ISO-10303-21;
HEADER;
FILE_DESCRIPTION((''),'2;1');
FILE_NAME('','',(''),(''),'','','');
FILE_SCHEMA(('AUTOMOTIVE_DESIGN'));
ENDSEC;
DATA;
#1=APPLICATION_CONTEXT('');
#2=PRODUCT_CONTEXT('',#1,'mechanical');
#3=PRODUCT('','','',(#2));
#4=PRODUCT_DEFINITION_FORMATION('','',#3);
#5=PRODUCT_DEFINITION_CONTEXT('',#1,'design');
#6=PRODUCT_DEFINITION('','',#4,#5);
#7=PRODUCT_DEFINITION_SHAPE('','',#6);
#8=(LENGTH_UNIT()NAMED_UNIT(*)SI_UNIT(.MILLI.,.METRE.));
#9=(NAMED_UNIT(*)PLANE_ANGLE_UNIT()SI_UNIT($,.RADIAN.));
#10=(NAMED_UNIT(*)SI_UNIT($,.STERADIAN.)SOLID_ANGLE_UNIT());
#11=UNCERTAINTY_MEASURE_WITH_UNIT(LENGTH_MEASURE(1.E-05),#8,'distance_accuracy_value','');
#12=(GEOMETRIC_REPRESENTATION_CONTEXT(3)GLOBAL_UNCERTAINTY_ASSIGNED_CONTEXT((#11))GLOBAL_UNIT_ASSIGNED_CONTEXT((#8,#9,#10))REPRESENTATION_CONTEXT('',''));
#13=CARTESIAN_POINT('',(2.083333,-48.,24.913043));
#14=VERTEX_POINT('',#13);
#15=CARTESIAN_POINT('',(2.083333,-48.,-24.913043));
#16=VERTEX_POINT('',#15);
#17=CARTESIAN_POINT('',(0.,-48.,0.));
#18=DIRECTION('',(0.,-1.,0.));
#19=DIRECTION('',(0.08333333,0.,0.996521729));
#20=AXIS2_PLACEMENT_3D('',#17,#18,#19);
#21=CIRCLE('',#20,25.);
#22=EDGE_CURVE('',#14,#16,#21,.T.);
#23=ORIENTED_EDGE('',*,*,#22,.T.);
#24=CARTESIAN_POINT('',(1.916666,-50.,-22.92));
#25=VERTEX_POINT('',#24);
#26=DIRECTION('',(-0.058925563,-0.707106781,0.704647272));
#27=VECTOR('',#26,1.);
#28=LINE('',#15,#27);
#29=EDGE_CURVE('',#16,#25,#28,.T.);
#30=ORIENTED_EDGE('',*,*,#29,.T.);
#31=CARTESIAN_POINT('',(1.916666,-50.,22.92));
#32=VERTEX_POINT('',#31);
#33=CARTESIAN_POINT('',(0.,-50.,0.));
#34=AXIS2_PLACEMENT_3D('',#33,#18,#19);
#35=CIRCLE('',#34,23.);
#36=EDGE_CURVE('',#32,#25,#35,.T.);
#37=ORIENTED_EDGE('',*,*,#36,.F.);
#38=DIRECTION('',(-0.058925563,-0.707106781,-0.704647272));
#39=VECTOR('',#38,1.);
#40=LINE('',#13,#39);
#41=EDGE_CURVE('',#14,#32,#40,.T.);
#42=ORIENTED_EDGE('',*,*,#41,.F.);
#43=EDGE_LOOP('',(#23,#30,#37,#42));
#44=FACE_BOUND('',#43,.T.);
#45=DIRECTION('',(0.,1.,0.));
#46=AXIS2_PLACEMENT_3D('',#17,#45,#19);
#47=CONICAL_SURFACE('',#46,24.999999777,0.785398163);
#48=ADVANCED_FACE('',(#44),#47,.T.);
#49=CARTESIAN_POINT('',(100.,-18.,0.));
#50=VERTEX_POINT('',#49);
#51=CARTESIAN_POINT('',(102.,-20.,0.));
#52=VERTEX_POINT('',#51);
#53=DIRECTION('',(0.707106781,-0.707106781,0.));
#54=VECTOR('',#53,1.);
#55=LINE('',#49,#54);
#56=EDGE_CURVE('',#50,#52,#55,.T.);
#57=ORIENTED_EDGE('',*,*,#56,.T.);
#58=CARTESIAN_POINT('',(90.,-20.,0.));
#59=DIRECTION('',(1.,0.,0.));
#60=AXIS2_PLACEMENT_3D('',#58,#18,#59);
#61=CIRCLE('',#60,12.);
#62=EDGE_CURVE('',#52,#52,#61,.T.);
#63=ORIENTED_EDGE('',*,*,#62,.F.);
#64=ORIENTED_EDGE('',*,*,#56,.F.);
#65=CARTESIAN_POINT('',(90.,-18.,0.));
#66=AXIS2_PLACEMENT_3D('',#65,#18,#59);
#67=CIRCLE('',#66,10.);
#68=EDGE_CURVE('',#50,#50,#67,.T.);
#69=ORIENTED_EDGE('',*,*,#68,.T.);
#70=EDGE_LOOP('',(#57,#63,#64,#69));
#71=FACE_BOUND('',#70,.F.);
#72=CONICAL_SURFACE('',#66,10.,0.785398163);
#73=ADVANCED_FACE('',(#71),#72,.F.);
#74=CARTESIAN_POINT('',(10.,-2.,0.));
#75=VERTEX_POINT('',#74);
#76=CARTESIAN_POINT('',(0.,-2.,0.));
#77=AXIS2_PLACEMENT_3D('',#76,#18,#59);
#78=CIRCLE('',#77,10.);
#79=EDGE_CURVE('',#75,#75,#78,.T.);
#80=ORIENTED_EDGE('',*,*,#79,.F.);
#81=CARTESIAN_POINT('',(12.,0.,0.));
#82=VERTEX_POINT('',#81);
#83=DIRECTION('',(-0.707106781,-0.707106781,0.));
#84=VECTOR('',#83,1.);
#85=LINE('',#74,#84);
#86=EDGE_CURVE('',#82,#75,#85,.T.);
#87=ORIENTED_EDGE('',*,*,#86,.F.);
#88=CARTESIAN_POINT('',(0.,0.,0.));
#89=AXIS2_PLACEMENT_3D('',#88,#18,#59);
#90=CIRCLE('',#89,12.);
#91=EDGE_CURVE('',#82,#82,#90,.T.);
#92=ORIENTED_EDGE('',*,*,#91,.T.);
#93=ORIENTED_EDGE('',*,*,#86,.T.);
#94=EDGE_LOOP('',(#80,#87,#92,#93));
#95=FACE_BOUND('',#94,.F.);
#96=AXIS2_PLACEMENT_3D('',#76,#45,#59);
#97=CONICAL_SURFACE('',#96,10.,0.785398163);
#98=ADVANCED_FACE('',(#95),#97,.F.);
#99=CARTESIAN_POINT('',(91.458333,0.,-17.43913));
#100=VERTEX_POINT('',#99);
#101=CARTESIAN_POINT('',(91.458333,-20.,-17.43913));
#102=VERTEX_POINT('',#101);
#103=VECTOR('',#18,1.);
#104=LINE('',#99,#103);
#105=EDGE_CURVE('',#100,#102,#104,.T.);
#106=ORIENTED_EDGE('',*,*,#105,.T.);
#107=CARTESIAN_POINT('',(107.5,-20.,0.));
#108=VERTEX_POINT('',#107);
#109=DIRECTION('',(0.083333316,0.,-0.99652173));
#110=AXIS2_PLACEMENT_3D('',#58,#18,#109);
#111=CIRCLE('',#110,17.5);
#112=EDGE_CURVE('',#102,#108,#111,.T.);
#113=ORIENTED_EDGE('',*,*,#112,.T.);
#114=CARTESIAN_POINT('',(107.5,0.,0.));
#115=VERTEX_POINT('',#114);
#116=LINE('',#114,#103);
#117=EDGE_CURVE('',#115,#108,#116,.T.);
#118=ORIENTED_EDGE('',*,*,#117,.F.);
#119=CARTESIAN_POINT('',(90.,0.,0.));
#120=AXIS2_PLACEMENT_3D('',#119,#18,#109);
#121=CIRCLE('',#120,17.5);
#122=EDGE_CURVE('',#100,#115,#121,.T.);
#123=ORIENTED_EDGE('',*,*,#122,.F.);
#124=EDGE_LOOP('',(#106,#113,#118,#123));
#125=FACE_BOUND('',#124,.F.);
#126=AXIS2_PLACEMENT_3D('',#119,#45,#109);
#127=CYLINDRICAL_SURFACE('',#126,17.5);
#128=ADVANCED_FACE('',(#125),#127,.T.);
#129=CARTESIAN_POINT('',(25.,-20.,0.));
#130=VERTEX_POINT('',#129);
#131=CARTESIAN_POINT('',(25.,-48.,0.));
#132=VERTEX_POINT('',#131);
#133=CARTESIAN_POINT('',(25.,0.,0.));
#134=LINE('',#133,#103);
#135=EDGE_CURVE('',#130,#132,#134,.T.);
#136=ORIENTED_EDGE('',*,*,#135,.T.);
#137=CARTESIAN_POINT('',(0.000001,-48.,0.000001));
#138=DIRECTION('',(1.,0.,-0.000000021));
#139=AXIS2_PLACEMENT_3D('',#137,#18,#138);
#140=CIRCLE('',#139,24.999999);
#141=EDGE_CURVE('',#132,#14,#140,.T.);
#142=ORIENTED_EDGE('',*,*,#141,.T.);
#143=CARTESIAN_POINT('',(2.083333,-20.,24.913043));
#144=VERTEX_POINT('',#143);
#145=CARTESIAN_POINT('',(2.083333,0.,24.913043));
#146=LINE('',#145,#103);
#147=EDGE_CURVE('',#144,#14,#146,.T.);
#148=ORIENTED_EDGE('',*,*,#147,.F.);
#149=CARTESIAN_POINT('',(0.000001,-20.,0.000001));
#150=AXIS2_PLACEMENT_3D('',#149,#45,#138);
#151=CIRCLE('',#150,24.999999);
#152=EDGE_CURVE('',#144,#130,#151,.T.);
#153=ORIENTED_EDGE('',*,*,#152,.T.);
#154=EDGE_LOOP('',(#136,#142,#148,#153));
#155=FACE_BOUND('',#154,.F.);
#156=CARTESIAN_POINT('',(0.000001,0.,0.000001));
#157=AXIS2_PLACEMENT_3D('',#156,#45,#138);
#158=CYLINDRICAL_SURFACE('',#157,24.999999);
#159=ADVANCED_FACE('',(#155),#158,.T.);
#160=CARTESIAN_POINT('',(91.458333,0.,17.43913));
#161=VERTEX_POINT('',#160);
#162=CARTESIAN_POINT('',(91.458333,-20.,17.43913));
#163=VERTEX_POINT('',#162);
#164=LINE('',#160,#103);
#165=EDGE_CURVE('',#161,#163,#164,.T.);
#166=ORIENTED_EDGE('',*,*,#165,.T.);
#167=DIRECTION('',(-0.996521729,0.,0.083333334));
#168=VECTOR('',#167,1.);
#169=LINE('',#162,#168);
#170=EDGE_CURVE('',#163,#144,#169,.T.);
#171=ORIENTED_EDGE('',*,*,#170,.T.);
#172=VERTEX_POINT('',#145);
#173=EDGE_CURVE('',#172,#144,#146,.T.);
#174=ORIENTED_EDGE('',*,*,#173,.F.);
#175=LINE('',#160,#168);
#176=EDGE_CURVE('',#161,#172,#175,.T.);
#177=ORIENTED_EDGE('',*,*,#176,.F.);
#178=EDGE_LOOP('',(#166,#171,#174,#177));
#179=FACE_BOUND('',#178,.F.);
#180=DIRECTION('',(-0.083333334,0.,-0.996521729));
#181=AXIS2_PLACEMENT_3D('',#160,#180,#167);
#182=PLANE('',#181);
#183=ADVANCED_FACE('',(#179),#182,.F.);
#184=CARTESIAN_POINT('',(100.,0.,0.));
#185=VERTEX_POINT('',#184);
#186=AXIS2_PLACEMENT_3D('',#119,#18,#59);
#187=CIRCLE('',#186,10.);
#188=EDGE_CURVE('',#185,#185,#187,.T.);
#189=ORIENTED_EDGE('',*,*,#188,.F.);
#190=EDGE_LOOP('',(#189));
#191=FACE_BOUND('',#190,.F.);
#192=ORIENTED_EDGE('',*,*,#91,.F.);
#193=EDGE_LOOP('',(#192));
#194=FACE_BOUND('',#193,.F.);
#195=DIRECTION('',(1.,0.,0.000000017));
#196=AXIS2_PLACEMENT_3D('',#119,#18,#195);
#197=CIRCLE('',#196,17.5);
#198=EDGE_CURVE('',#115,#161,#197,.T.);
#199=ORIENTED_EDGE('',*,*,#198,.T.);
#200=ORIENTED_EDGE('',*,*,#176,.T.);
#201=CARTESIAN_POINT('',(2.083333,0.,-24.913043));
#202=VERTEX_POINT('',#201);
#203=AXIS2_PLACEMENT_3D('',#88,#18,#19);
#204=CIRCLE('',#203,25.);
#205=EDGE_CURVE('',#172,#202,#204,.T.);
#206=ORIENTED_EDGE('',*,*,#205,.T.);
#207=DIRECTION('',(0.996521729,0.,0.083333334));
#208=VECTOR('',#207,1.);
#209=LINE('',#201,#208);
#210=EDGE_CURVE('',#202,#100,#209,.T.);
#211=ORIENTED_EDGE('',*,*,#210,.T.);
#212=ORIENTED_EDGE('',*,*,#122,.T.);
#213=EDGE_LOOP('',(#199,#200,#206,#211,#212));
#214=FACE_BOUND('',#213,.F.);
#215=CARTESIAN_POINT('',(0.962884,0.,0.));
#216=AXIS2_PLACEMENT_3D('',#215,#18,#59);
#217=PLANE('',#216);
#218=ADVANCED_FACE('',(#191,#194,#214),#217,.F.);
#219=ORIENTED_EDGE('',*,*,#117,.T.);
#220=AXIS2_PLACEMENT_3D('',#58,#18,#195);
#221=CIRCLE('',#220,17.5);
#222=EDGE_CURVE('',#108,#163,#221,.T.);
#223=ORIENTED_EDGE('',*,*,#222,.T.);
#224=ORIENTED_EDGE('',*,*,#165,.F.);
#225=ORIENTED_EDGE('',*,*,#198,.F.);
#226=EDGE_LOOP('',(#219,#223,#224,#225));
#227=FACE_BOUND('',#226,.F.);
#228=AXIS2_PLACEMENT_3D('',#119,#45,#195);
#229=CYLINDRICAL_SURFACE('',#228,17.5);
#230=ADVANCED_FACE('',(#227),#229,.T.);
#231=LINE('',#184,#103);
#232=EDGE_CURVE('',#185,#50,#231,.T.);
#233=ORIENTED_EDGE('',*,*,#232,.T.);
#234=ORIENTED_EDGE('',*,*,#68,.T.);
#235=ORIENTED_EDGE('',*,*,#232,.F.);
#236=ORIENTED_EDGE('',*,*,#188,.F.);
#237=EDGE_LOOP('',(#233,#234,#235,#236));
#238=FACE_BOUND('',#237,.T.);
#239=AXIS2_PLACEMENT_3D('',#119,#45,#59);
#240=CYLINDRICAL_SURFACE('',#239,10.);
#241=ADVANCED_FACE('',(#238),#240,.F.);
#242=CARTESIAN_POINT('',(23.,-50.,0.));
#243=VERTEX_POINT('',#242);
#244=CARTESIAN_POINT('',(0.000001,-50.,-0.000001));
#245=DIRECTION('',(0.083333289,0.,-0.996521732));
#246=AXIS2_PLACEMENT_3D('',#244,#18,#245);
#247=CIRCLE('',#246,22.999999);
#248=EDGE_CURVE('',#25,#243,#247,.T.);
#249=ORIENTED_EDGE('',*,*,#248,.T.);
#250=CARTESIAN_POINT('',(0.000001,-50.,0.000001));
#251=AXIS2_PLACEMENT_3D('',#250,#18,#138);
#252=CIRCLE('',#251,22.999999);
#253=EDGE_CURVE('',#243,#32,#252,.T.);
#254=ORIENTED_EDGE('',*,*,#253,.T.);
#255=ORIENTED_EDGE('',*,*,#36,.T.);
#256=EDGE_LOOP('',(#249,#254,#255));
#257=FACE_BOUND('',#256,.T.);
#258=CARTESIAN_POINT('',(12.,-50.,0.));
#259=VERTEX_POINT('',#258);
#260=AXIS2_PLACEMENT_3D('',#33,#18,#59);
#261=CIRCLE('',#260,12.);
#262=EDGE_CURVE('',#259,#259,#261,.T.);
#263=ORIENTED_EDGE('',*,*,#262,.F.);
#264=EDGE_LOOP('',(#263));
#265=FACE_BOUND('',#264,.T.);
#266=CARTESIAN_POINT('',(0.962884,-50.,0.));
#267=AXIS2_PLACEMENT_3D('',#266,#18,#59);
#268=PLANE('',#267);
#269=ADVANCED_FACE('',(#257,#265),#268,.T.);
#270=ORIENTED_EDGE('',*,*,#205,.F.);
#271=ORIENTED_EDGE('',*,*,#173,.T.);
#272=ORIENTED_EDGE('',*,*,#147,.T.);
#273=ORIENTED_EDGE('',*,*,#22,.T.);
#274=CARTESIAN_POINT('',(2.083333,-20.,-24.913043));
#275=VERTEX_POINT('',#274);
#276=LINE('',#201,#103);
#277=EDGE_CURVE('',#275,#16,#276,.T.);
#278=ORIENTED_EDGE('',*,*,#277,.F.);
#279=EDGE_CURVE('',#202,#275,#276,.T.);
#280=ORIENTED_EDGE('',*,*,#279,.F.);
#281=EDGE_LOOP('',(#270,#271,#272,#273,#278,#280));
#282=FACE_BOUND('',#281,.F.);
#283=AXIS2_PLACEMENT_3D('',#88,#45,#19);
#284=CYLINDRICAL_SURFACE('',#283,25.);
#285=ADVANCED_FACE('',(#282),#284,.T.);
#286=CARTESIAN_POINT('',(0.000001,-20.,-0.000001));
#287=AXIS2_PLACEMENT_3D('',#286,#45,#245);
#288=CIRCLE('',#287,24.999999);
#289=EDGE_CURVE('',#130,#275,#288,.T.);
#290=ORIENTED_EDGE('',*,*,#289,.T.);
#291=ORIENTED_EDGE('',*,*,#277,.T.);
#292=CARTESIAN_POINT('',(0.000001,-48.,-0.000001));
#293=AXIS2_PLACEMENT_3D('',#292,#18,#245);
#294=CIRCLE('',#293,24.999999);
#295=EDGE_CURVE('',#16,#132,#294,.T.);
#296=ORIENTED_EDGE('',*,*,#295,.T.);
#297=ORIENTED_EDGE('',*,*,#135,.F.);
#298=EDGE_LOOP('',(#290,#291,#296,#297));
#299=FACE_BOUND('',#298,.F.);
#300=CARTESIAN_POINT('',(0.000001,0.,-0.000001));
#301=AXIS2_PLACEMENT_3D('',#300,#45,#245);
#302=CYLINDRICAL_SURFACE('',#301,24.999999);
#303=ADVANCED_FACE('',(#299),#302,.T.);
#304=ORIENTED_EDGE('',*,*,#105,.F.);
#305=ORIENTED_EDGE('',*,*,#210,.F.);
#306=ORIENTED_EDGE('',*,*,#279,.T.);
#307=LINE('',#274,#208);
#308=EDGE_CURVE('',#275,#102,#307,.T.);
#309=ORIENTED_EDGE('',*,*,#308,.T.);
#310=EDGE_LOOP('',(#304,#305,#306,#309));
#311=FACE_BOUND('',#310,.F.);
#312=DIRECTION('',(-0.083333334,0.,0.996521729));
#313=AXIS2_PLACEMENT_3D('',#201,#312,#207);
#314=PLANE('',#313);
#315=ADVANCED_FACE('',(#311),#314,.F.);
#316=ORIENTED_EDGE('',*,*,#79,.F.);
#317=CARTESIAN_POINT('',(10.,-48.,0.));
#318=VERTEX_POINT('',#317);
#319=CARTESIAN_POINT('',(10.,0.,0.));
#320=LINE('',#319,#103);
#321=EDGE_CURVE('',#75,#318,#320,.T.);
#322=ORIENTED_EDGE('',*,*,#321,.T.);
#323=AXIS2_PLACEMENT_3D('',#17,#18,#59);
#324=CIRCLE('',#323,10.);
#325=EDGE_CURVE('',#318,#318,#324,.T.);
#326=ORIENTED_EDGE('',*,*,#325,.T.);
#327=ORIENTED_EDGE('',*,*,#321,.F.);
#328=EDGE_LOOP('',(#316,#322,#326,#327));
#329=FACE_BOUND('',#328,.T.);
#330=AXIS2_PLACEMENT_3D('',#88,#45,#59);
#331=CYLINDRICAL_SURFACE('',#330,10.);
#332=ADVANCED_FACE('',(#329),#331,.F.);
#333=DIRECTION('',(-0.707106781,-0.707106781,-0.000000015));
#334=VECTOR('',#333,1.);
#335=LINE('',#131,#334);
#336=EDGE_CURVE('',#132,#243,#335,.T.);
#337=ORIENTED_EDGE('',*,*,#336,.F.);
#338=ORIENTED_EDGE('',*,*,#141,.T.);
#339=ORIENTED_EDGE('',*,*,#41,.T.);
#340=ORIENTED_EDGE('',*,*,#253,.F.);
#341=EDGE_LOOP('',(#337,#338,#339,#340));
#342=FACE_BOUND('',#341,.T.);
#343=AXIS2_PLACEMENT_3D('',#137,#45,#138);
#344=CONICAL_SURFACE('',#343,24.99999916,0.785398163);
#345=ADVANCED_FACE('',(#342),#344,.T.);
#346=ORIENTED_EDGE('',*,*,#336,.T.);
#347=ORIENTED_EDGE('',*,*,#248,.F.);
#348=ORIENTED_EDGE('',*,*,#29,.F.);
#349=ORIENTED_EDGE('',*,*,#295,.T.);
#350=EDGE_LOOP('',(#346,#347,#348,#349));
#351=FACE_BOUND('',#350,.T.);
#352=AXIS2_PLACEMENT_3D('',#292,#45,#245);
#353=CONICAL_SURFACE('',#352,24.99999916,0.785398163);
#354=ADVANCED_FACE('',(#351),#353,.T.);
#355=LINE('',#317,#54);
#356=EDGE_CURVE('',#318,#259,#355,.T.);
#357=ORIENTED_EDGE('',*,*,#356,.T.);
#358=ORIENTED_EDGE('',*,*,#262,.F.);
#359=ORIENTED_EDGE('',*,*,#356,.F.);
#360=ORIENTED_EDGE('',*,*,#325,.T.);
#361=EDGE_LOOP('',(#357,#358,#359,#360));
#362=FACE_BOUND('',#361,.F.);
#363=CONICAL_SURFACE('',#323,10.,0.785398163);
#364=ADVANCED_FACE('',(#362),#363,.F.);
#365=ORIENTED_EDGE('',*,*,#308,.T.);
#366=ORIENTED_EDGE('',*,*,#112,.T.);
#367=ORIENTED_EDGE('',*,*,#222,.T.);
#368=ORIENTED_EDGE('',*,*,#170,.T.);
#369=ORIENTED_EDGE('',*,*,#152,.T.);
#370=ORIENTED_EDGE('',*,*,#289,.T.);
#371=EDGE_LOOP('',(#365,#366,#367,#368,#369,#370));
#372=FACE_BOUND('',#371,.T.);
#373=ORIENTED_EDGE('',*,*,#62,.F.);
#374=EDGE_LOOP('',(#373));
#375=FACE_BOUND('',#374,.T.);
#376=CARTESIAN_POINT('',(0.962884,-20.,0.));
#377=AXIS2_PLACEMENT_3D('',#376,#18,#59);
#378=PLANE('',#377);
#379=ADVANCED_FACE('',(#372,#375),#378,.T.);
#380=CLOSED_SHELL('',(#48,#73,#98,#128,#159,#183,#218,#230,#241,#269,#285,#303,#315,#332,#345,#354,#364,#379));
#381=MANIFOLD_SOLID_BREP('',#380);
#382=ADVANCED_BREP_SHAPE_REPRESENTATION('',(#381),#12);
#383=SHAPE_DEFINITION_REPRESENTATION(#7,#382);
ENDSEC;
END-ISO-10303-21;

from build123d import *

# Parameters (mm, degrees)
F0_R     = 10
F1_DEPTH = 20
F2_DEPTH = 50
F3_SIZE  = 2


with BuildPart() as f1:
    # F0 (on Front) → F1 (new body)
    with BuildSketch(Plane.XZ):
        with BuildLine():
            ThreePointArc((2.083333, -24.913043), (18.399502, -16.92508), (25, 0))
            ThreePointArc((25, 0), (18.399502, 16.92508), (2.083333, 24.913043))
            ThreePointArc((2.083333, 24.913043), (-25, 0), (2.083333, -24.913043))
        make_face()
        Circle(F0_R, mode=Mode.SUBTRACT)
        with BuildLine():
            ThreePointArc((2.083333, 24.913043), (18.399502, 16.92508), (25, 0))
            ThreePointArc((25, 0), (18.399502, -16.92508), (2.083333, -24.913043))
            Line((2.083333, -24.913043), (91.458333, -17.43913))
            ThreePointArc((91.458333, -17.43913), (72.5, 0), (91.458333, 17.43913))
            Line((91.458333, 17.43913), (2.083333, 24.913043))
        make_face()
        with BuildLine():
            ThreePointArc((107.5, 0), (102.879651, 11.847556), (91.458333, 17.43913))
            ThreePointArc((91.458333, 17.43913), (72.5, 0), (91.458333, -17.43913))
            ThreePointArc((91.458333, -17.43913), (102.879651, -11.847556), (107.5, 0))
        make_face()
        with Locations((90, 0)):
            Circle(F0_R, mode=Mode.SUBTRACT)
    extrude(amount=F1_DEPTH)

    # F0 (on Front) → F2 (join)
    with BuildSketch(Plane.XZ):
        with BuildLine():
            ThreePointArc((2.083333, -24.913043), (18.399502, -16.92508), (25, 0))
            ThreePointArc((25, 0), (18.399502, 16.92508), (2.083333, 24.913043))
            ThreePointArc((2.083333, 24.913043), (-25, 0), (2.083333, -24.913043))
        make_face()
        Circle(F0_R, mode=Mode.SUBTRACT)
    extrude(amount=F2_DEPTH)

    # F3
    f3_edges = [f1.edges().sort_by_distance(p)[0] for p in [
        (-10, 0, 0),
        (10, -25, 0),
        (-10, -50, 0),
        (-2.083333, -50, 24.913043),
        (80, -20, 0),
    ]]
    chamfer(f3_edges, length=F3_SIZE)


solid = f1.part
